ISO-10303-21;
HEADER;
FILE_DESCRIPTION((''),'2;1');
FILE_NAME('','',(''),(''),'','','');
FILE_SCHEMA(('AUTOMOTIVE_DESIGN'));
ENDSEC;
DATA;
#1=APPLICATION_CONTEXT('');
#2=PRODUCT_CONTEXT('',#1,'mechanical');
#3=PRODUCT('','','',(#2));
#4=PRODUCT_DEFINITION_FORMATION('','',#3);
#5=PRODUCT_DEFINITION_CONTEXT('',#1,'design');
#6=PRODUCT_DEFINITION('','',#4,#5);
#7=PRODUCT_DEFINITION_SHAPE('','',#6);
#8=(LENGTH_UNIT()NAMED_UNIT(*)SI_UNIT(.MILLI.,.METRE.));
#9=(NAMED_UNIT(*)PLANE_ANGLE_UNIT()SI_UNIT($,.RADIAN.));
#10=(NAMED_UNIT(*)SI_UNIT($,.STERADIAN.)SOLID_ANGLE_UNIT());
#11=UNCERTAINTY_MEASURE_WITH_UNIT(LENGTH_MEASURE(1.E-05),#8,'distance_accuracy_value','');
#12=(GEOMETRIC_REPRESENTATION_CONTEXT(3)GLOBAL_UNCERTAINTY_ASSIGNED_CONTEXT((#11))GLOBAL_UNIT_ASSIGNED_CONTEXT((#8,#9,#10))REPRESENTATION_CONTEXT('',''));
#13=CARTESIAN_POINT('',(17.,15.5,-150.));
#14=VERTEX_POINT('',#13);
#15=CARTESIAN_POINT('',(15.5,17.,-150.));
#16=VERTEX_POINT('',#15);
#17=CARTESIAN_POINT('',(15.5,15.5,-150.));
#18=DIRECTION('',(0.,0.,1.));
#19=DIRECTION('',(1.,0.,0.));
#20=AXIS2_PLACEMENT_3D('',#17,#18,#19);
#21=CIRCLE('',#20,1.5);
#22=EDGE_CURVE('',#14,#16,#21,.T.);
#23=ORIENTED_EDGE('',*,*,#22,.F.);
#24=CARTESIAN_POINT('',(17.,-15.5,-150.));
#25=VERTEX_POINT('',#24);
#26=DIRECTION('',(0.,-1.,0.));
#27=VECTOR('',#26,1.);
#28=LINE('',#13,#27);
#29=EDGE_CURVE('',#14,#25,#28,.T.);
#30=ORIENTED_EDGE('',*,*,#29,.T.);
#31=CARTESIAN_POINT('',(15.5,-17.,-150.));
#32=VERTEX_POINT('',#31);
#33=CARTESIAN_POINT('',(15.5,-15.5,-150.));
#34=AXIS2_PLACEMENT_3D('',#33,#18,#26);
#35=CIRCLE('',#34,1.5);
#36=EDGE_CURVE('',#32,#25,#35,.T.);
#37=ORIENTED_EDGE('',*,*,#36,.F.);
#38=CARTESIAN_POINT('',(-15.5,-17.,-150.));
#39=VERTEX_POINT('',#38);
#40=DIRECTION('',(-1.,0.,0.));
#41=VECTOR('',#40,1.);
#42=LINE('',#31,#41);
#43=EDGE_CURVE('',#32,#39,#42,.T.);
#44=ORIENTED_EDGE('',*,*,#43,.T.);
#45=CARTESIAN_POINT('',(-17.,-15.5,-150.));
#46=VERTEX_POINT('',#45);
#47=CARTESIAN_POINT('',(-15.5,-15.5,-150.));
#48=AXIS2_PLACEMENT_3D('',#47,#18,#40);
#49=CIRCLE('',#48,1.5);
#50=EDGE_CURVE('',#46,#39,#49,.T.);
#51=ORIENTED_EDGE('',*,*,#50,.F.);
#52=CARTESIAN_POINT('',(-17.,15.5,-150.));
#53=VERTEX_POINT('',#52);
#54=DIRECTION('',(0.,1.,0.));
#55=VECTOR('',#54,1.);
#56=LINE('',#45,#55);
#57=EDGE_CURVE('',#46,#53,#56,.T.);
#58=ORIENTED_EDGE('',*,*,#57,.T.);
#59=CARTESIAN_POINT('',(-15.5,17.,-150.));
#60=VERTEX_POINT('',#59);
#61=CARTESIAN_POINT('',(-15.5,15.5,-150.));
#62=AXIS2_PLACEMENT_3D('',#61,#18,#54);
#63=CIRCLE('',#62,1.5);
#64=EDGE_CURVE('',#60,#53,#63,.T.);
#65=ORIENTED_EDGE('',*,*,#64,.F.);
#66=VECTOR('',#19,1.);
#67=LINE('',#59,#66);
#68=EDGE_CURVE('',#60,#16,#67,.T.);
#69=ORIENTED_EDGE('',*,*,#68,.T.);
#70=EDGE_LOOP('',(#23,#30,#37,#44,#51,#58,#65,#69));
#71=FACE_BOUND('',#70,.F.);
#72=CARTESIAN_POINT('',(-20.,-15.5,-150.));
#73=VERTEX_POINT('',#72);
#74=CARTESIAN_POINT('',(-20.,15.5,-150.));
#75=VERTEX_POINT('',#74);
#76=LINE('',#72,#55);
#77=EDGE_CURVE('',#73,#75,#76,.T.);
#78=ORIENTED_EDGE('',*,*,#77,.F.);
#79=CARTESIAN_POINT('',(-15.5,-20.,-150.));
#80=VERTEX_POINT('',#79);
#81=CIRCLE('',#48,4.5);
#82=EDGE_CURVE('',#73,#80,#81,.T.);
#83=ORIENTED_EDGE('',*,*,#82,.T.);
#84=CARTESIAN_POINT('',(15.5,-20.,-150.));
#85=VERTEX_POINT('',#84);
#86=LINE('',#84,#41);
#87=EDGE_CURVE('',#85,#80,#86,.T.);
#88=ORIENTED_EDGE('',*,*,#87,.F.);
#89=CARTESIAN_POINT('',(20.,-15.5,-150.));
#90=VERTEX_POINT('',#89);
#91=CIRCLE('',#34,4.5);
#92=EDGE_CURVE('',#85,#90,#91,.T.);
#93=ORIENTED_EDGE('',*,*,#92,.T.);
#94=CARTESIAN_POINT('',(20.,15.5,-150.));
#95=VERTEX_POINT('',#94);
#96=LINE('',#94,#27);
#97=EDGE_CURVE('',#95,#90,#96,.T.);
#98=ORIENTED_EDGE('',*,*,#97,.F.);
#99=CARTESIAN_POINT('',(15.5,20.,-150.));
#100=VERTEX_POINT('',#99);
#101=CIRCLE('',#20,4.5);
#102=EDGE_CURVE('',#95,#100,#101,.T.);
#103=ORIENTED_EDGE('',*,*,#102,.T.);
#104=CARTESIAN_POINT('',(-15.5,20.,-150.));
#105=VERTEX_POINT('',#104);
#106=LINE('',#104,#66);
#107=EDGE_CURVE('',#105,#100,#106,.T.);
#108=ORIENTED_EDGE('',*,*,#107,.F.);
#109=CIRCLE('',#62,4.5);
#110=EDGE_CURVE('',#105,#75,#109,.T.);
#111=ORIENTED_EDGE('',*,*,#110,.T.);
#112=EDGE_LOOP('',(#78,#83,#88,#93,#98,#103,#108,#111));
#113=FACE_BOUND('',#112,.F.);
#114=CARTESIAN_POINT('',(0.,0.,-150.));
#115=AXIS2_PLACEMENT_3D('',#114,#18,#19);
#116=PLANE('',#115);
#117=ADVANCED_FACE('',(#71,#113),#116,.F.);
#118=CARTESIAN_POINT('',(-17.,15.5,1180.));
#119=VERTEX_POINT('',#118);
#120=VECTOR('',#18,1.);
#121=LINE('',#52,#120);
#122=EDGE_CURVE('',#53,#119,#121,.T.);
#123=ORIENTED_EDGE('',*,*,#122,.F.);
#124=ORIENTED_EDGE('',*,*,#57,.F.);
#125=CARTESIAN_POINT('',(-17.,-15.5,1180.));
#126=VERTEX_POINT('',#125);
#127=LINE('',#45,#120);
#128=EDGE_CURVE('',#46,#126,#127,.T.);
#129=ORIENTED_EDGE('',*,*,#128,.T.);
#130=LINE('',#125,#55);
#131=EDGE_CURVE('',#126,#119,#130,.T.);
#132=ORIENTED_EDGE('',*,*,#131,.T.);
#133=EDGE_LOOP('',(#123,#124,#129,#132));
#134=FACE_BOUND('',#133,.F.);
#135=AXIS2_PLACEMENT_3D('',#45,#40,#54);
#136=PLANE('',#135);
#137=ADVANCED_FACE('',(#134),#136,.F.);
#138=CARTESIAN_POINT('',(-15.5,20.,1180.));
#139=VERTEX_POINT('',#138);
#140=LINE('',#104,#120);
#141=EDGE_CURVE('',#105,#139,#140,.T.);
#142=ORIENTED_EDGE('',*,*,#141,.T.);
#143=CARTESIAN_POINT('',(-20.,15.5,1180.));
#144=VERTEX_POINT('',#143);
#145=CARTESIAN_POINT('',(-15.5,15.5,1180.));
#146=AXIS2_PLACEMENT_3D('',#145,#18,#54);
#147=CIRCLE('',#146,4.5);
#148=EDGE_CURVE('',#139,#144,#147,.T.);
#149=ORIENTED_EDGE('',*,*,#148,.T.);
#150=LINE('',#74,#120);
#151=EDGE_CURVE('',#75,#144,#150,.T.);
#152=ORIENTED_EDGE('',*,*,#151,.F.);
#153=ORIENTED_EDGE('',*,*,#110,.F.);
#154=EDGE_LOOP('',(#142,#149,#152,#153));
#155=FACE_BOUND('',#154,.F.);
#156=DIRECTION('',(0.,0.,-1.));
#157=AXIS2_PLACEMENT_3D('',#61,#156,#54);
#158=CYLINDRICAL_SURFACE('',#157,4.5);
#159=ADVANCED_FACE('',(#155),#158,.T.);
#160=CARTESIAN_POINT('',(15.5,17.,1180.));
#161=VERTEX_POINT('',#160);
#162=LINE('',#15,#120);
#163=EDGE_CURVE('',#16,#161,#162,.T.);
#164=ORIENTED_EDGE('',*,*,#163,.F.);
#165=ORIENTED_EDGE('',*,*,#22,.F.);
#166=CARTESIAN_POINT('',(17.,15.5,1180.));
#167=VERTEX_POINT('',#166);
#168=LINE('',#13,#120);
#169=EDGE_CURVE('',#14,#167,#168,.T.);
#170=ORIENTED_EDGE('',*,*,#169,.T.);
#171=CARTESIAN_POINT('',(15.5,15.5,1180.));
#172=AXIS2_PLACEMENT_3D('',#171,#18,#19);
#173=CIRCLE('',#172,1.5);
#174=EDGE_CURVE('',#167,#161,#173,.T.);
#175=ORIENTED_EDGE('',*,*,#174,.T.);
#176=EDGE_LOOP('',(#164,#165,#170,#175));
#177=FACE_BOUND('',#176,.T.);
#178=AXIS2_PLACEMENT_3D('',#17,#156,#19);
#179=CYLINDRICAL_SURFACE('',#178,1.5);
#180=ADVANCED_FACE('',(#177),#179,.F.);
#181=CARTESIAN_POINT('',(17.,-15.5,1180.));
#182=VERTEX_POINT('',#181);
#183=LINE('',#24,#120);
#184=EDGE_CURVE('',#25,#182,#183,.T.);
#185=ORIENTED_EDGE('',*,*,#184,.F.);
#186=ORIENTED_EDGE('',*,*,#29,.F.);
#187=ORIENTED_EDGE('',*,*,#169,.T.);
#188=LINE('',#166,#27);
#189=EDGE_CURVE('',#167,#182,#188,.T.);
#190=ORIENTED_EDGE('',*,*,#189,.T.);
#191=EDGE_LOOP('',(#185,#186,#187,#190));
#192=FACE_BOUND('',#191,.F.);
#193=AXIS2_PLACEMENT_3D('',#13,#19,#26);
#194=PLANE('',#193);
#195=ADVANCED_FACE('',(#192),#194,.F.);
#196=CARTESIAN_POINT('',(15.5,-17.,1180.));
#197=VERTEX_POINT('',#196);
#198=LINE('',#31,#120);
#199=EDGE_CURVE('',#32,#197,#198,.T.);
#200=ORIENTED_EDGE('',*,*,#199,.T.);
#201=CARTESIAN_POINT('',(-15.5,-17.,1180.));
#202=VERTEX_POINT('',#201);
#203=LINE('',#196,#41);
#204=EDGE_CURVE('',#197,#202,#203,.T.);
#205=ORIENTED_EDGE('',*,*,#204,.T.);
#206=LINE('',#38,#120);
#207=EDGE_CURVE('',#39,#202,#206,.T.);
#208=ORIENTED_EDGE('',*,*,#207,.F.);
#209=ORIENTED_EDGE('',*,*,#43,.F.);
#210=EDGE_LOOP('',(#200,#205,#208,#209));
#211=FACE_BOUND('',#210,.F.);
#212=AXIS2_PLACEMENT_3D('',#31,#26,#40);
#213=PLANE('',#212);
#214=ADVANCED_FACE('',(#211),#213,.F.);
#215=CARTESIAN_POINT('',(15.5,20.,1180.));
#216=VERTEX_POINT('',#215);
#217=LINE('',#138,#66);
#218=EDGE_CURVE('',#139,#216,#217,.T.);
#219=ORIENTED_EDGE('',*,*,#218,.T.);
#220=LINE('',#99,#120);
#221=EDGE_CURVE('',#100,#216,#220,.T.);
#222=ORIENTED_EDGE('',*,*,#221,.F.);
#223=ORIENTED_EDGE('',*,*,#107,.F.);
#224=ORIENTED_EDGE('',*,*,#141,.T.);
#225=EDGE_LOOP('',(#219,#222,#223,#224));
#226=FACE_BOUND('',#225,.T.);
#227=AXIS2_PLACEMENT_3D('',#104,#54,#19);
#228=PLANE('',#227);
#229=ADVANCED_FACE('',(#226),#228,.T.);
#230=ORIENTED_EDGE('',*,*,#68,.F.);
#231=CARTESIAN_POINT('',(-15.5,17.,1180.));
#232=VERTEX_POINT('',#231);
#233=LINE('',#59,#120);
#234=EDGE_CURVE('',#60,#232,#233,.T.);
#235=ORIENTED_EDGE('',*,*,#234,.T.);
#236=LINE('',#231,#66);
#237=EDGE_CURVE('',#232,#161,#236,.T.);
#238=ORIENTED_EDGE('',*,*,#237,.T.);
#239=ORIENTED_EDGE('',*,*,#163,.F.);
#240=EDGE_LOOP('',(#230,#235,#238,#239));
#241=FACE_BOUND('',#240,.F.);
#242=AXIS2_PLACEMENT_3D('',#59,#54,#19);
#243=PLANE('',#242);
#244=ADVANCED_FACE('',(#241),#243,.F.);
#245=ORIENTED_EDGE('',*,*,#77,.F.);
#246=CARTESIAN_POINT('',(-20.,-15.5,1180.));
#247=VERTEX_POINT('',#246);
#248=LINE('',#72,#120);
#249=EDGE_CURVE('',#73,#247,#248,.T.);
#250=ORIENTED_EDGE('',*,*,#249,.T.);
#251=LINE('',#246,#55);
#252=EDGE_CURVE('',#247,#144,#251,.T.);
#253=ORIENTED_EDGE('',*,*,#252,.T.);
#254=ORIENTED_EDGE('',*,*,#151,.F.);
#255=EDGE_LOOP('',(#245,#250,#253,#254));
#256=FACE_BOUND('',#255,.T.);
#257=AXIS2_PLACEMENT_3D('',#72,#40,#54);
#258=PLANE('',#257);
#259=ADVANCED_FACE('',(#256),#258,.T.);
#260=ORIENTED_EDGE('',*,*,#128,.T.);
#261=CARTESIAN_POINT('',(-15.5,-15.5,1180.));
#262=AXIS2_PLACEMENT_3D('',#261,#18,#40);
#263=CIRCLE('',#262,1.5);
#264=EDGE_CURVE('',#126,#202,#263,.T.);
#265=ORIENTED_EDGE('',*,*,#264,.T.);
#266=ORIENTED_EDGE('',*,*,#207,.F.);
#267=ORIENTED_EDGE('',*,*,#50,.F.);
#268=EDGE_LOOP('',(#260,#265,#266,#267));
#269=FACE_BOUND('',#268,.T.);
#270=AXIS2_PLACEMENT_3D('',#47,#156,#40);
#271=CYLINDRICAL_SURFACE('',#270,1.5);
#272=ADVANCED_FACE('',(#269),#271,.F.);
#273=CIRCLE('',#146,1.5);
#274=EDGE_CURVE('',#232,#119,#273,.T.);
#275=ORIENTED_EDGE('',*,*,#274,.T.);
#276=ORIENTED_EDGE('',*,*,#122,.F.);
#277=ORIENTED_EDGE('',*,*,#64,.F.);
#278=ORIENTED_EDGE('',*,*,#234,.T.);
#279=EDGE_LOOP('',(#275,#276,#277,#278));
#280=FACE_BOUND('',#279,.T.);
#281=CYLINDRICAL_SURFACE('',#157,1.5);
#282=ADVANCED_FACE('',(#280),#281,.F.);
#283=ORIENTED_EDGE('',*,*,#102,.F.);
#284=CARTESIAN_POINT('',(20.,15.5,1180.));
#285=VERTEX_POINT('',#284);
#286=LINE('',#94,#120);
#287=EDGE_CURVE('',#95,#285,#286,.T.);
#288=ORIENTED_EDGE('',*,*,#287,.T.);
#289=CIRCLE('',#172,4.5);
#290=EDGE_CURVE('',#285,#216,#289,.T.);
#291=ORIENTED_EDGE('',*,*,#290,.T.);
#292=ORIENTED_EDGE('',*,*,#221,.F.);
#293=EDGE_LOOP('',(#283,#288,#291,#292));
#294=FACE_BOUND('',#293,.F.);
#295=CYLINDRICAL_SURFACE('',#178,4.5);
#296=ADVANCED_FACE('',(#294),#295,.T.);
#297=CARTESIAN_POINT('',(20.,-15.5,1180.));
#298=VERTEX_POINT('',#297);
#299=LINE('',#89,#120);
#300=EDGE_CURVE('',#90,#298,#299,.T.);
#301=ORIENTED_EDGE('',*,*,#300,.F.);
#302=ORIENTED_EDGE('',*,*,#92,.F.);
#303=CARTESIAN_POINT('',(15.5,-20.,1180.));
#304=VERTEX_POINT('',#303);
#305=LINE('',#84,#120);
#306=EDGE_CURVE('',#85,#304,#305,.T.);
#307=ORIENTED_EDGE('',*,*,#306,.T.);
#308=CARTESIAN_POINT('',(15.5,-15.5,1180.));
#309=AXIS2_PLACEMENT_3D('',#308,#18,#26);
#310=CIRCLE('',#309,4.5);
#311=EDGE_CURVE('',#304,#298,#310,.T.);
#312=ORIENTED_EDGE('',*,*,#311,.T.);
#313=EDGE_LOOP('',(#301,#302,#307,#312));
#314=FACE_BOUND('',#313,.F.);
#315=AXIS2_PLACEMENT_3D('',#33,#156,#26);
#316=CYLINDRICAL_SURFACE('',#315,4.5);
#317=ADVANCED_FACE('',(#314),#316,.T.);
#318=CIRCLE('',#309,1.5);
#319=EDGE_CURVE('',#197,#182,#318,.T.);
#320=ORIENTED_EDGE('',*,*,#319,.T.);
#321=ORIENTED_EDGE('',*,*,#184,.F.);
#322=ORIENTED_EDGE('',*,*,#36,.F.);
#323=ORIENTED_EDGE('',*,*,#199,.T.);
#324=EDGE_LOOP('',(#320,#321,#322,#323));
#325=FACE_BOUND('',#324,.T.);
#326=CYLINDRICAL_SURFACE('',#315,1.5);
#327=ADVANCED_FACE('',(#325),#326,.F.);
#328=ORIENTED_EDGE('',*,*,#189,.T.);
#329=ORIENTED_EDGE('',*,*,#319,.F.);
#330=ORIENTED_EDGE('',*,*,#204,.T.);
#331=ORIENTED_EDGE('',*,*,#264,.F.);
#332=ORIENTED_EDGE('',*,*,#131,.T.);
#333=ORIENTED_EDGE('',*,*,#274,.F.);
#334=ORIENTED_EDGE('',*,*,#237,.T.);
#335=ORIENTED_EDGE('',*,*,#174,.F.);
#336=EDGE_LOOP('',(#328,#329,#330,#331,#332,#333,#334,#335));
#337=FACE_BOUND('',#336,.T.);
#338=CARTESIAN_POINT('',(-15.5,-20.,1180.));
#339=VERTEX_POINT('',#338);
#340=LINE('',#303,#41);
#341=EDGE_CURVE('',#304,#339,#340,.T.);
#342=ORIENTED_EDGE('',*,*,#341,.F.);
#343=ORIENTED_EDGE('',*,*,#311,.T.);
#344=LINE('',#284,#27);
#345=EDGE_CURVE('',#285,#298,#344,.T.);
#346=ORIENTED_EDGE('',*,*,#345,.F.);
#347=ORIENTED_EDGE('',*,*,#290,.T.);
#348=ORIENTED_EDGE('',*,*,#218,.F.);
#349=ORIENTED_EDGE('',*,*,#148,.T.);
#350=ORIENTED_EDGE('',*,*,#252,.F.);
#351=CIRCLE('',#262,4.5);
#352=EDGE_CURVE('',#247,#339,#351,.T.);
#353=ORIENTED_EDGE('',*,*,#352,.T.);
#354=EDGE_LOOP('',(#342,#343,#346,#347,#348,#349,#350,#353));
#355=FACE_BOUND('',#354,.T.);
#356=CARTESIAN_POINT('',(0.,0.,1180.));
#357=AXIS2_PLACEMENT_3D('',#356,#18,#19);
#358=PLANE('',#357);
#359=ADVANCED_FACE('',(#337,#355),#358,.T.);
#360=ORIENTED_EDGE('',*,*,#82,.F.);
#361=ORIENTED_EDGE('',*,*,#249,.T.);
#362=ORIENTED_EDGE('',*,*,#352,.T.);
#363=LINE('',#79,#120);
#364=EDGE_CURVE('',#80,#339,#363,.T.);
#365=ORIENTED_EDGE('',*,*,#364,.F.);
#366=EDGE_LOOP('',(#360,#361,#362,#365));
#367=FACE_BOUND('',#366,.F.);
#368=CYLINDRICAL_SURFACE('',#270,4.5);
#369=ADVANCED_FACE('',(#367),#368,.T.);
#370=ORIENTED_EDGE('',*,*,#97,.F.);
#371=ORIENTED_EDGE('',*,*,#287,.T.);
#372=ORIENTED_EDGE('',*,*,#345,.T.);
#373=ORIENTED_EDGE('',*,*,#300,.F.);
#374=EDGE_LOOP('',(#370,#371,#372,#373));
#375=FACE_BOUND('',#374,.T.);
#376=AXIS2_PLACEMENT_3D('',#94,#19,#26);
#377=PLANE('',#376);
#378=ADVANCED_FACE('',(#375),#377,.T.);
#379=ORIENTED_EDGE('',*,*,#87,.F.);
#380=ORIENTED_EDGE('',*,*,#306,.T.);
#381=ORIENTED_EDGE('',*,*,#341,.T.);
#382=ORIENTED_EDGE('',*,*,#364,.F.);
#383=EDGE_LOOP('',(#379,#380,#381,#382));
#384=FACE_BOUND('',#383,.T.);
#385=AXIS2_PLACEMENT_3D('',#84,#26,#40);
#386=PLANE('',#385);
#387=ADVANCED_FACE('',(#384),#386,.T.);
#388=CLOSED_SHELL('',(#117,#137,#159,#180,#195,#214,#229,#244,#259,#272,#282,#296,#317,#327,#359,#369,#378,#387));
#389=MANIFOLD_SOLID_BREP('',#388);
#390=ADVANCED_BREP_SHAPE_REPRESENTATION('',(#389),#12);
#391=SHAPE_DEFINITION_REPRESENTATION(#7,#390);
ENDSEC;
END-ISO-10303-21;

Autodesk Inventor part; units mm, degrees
ref_plane "Start Plane" through (0, 0, -150) normal (0, 0, 1) x (1, 0, 0)
ref_plane "End Plane" through (0, 0, 1180) normal (0, 0, 1) x (1, 0, 0)
sketch "Sketch" plane through (0, 0, 0) normal (0, 0, 1) x (1, 0, 0)
  line L0 (-20, -15.5) -> (-20, 15.5)
  line L1 (-15.5, 20) -> (15.5, 20)
  line L2 (20, 15.5) -> (20, -15.5)
  line L3 (15.5, -20) -> (-15.5, -20)
  arc A0 (-20, -15.5) -> (-15.5, -20) centre (-15.5, -15.5) ccw
  arc A1 (-15.5, 20) -> (-20, 15.5) centre (-15.5, 15.5) ccw
  arc A2 (20, 15.5) -> (15.5, 20) centre (15.5, 15.5) ccw
  arc A3 (15.5, -20) -> (20, -15.5) centre (15.5, -15.5) ccw
  arc A4 (-15.5, 17) -> (-17, 15.5) centre (-15.5, 15.5) ccw
  line L4 (-15.5, 17) -> (15.5, 17)
  arc A5 (17, 15.5) -> (15.5, 17) centre (15.5, 15.5) ccw
  line L5 (17, 15.5) -> (17, -15.5)
  arc A6 (15.5, -17) -> (17, -15.5) centre (15.5, -15.5) ccw
  line L6 (15.5, -17) -> (-15.5, -17)
  arc A7 (-17, -15.5) -> (-15.5, -17) centre (-15.5, -15.5) ccw
  line L7 (-17, -15.5) -> (-17, 15.5)
  line L8 (0, 29.3048) -> (0, -29.3048) construction
  line L9 (-29.3048, 0) -> (29.3048, 0) construction
  dimension "d7" = 4.5
  dimension "d10" = 40
  dimension "d11" = 40
  dimension "d12" = 3
  dimension "d15" = 20
  dimension "d16" = 20
extrude "Body" add sketch "Sketch" along normal up to surface (1330 mm away) from surface at -150
sketch "Sketch3" plane through (0, 0, 0) normal (0, 0, 1) x (1, 0, 0)
  line L0 (0, 0) -> (10, 0)
ref_plane "Work Plane3" through (0, 0, 0) normal (0, -1, 0) x (1, 0, 0)
ref_plane "Work Plane4" through (1000, -15.5, 1180) normal (0, 0, 1) x (1, 0, 0)
split "Split1" plane through (1000, -15.5, 1180) removes the side toward (0, 0, 1)
sketch "Sketch4" plane through (0, 0, 0) normal (0, -1, 0) x (1, 0, 0)
  line L0 (-2, -150) -> (12, -150) projected
  line L1 (-2, 1180) -> (12, 1180) projected
  dimension "d18" = 1330
equation "\"d7\" = G_IR"
equation "\"d10\" = G_H"
equation "\"d11\" = G_W"
equation "\"d12\" = G_T"
equation "\"d15\" = 0.5 * d10"
equation "\"d16\" = 0.5 * d11"
equation "\"d3\" = G_L"
equation "\"G_W\" = 40"
equation "\"G_H\" = 40"
equation "\"G_T\" = 3"
equation "\"G_IR\" = 4.5"
equation "\"G_L\" = d18"
properties part number "ISO 12633-2 - 40x40x3 - 1330" material "Steel, Mild"
